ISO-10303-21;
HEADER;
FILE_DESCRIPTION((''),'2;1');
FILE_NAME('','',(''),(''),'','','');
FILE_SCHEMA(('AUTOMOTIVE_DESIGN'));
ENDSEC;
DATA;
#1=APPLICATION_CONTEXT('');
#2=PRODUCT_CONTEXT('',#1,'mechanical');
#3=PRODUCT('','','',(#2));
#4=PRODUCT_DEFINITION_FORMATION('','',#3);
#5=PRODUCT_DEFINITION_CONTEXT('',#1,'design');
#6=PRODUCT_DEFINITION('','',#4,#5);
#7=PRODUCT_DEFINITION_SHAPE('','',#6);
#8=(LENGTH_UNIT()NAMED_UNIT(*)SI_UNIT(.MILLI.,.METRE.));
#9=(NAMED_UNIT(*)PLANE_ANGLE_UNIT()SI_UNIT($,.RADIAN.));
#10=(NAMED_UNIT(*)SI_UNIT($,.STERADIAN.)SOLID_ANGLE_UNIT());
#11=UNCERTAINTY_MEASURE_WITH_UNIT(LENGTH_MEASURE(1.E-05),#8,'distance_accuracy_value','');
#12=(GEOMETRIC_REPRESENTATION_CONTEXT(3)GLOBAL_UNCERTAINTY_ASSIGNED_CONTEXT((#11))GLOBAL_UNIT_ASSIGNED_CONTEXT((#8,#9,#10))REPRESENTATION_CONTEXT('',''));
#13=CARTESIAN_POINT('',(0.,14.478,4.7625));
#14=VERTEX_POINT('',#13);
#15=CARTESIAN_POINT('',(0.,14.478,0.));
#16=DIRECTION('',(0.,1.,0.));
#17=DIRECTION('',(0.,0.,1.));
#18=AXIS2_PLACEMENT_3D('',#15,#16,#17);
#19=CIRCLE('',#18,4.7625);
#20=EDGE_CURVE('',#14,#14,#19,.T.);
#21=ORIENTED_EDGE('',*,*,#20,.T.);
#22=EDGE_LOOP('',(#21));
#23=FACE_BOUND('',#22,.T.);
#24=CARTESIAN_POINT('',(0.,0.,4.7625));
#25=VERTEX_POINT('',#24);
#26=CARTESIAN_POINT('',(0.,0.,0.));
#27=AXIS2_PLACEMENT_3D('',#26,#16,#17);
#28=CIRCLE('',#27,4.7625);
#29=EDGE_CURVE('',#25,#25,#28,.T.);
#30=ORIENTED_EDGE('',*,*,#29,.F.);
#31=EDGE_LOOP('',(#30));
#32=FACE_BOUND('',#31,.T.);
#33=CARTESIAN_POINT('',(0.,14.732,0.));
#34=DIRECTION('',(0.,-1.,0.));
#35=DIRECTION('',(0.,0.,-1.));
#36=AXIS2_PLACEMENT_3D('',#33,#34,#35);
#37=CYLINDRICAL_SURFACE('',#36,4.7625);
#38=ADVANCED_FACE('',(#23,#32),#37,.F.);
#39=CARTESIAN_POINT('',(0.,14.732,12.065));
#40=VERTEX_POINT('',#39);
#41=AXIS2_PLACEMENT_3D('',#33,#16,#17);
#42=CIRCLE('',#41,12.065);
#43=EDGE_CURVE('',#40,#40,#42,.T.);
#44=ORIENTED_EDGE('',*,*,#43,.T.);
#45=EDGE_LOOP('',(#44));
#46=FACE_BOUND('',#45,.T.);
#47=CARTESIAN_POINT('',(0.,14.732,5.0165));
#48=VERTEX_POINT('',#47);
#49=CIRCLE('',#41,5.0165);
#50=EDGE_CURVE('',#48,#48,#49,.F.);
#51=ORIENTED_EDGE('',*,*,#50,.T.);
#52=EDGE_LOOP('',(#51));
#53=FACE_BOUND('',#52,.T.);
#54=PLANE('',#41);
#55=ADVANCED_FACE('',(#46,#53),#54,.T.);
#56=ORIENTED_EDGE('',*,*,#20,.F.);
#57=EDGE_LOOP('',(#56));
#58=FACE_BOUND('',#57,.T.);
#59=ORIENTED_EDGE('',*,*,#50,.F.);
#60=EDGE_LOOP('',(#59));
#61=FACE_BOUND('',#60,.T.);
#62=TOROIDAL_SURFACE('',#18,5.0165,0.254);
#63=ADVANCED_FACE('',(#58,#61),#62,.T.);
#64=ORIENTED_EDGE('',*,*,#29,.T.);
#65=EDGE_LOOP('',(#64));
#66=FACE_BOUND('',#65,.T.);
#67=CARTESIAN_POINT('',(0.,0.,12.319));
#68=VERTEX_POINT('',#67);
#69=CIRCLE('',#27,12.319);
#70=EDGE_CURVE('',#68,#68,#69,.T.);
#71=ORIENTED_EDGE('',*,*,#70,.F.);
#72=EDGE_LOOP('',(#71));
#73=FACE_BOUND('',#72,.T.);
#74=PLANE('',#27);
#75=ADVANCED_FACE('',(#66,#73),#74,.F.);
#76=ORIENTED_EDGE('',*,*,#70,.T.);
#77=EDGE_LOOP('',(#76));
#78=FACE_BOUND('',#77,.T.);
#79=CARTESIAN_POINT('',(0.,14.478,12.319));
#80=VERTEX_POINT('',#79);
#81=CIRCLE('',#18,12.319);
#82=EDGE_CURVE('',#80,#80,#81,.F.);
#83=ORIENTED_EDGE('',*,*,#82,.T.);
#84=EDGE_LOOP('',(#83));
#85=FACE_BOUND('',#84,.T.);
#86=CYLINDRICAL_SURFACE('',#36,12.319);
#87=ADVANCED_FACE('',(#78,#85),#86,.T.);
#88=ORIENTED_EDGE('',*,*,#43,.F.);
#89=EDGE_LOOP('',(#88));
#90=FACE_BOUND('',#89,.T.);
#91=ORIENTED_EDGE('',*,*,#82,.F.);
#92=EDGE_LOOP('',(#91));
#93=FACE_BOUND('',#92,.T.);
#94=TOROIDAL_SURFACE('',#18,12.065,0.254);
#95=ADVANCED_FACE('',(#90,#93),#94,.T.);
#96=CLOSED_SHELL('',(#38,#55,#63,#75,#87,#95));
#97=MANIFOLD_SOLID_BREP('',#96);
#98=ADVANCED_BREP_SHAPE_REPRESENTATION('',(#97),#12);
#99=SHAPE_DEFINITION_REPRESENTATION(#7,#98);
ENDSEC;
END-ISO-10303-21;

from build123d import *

# Parameters (mm, degrees)
SKETCH1_R           = 12.319
SKETCH1_R_2         = 4.7625
BOSS_EXTRUDE1_DEPTH = 14.732
FILLET1_R           = 0.254


with BuildPart() as part:
    # Sketch1 → Boss-Extrude1 (new body)
    with BuildSketch(Plane(origin=(0, 0, 0), x_dir=(1, 0, 0), z_dir=(0, 1, 0))):
        Circle(SKETCH1_R)
        Circle(SKETCH1_R_2, mode=Mode.SUBTRACT)
    extrude(amount=BOSS_EXTRUDE1_DEPTH)

    # Fillet1
    fillet1_edges = [part.edges().sort_by_distance(p)[0] for p in [
        (-12.319, 14.732, 0),
        (-4.7625, 14.732, 0),
    ]]
    fillet(fillet1_edges, radius=FILLET1_R)


solid = part.part
